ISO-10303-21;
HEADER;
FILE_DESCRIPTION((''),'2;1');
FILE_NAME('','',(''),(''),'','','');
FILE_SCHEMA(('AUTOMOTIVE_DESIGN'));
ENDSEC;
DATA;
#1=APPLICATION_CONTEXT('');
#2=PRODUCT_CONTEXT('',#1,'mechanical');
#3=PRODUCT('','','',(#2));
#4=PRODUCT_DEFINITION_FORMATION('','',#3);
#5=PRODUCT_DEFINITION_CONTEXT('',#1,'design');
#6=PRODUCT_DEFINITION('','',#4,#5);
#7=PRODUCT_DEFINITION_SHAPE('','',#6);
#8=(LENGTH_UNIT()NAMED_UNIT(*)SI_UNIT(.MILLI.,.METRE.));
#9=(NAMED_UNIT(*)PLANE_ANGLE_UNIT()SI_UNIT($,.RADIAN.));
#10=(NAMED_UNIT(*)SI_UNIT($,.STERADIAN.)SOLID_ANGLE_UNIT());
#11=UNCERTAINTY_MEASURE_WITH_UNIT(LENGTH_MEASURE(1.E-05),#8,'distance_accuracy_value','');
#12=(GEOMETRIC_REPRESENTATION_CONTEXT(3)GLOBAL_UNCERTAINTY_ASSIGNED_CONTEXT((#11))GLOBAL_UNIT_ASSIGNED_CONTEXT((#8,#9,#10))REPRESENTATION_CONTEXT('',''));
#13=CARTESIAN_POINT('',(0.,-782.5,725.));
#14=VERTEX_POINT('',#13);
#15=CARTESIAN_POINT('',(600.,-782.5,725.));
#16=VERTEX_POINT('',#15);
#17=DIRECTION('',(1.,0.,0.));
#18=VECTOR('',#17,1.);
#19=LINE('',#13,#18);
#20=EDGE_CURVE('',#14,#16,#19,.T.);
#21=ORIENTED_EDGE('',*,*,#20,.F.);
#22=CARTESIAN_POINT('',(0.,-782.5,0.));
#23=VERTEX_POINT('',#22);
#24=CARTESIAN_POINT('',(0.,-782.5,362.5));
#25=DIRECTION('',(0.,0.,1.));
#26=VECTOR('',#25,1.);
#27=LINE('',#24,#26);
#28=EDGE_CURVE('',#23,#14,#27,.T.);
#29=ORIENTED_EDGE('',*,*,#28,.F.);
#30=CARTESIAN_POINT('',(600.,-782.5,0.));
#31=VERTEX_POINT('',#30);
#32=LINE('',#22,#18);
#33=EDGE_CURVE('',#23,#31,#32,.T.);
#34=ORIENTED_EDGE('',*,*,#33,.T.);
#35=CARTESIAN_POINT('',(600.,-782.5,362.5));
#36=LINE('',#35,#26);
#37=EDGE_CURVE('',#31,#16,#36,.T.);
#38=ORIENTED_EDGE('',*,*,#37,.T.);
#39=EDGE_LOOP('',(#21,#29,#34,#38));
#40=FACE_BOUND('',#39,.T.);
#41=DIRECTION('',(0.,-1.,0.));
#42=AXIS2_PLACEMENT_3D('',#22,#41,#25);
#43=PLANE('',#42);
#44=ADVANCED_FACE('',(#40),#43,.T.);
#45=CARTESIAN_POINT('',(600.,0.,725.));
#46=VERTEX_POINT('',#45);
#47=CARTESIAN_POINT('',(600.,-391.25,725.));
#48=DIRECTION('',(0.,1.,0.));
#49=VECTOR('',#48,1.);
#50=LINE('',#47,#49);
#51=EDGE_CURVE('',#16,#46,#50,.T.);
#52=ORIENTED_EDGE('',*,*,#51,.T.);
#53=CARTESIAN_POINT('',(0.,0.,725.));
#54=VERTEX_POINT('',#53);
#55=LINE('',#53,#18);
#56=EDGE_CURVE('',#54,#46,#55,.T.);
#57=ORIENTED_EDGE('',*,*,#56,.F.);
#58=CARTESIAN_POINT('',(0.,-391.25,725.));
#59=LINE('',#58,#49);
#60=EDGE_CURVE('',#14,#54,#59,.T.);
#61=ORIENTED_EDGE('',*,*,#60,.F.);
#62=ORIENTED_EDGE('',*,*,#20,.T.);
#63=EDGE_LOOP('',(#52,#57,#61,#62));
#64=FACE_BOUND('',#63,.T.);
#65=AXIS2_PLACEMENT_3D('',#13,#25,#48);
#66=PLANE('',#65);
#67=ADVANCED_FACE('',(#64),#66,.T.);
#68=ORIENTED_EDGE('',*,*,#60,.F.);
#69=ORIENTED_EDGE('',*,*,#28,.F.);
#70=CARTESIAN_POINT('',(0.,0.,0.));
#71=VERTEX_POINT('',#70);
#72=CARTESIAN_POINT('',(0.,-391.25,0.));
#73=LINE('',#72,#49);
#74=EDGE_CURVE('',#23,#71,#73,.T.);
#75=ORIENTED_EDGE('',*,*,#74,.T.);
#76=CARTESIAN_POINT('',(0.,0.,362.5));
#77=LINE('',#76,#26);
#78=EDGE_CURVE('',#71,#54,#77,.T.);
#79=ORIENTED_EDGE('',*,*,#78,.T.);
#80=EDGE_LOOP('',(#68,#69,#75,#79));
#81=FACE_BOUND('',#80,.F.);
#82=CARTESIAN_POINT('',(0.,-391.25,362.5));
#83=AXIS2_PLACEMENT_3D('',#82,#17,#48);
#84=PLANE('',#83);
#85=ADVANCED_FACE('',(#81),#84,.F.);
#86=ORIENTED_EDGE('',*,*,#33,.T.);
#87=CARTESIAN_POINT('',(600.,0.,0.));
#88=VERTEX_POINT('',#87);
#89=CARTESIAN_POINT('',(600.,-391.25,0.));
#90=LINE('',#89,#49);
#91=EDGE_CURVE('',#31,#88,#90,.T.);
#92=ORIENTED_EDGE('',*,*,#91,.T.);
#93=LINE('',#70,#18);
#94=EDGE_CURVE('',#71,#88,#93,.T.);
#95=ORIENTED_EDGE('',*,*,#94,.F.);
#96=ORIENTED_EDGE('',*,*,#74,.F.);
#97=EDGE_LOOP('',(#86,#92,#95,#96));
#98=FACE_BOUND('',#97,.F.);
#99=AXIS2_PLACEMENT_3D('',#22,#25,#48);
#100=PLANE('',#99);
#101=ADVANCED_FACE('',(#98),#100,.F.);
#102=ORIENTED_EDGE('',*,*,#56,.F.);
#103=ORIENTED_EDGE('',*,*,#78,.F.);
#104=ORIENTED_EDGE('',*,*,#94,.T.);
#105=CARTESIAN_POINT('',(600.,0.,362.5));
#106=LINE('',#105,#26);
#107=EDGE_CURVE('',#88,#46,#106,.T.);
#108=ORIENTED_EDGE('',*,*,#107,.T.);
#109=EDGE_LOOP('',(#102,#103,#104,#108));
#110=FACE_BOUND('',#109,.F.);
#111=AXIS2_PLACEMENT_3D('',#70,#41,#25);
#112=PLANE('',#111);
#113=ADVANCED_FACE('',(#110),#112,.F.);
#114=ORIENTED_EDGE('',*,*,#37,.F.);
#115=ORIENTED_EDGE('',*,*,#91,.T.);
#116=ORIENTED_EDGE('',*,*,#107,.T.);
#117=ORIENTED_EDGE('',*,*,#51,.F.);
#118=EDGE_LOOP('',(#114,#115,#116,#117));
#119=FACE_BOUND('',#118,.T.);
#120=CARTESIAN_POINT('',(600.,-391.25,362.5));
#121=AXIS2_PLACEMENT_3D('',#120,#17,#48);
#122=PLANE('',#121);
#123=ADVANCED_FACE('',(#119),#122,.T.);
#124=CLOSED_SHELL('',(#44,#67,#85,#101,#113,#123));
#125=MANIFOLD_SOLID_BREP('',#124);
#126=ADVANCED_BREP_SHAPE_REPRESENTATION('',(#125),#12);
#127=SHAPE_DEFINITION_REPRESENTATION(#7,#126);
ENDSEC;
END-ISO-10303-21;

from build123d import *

# Parameters (mm, degrees)
SKETCH_W  = 782.5
SKETCH_H  = 725
PAD_DEPTH = 600


with BuildPart() as part:
    # Sketch → Pad (new body)
    with BuildSketch(Plane.YZ):
        with Locations((-391.25, 362.5)):
            Rectangle(SKETCH_W, SKETCH_H)
    extrude(amount=PAD_DEPTH)


solid = part.part
